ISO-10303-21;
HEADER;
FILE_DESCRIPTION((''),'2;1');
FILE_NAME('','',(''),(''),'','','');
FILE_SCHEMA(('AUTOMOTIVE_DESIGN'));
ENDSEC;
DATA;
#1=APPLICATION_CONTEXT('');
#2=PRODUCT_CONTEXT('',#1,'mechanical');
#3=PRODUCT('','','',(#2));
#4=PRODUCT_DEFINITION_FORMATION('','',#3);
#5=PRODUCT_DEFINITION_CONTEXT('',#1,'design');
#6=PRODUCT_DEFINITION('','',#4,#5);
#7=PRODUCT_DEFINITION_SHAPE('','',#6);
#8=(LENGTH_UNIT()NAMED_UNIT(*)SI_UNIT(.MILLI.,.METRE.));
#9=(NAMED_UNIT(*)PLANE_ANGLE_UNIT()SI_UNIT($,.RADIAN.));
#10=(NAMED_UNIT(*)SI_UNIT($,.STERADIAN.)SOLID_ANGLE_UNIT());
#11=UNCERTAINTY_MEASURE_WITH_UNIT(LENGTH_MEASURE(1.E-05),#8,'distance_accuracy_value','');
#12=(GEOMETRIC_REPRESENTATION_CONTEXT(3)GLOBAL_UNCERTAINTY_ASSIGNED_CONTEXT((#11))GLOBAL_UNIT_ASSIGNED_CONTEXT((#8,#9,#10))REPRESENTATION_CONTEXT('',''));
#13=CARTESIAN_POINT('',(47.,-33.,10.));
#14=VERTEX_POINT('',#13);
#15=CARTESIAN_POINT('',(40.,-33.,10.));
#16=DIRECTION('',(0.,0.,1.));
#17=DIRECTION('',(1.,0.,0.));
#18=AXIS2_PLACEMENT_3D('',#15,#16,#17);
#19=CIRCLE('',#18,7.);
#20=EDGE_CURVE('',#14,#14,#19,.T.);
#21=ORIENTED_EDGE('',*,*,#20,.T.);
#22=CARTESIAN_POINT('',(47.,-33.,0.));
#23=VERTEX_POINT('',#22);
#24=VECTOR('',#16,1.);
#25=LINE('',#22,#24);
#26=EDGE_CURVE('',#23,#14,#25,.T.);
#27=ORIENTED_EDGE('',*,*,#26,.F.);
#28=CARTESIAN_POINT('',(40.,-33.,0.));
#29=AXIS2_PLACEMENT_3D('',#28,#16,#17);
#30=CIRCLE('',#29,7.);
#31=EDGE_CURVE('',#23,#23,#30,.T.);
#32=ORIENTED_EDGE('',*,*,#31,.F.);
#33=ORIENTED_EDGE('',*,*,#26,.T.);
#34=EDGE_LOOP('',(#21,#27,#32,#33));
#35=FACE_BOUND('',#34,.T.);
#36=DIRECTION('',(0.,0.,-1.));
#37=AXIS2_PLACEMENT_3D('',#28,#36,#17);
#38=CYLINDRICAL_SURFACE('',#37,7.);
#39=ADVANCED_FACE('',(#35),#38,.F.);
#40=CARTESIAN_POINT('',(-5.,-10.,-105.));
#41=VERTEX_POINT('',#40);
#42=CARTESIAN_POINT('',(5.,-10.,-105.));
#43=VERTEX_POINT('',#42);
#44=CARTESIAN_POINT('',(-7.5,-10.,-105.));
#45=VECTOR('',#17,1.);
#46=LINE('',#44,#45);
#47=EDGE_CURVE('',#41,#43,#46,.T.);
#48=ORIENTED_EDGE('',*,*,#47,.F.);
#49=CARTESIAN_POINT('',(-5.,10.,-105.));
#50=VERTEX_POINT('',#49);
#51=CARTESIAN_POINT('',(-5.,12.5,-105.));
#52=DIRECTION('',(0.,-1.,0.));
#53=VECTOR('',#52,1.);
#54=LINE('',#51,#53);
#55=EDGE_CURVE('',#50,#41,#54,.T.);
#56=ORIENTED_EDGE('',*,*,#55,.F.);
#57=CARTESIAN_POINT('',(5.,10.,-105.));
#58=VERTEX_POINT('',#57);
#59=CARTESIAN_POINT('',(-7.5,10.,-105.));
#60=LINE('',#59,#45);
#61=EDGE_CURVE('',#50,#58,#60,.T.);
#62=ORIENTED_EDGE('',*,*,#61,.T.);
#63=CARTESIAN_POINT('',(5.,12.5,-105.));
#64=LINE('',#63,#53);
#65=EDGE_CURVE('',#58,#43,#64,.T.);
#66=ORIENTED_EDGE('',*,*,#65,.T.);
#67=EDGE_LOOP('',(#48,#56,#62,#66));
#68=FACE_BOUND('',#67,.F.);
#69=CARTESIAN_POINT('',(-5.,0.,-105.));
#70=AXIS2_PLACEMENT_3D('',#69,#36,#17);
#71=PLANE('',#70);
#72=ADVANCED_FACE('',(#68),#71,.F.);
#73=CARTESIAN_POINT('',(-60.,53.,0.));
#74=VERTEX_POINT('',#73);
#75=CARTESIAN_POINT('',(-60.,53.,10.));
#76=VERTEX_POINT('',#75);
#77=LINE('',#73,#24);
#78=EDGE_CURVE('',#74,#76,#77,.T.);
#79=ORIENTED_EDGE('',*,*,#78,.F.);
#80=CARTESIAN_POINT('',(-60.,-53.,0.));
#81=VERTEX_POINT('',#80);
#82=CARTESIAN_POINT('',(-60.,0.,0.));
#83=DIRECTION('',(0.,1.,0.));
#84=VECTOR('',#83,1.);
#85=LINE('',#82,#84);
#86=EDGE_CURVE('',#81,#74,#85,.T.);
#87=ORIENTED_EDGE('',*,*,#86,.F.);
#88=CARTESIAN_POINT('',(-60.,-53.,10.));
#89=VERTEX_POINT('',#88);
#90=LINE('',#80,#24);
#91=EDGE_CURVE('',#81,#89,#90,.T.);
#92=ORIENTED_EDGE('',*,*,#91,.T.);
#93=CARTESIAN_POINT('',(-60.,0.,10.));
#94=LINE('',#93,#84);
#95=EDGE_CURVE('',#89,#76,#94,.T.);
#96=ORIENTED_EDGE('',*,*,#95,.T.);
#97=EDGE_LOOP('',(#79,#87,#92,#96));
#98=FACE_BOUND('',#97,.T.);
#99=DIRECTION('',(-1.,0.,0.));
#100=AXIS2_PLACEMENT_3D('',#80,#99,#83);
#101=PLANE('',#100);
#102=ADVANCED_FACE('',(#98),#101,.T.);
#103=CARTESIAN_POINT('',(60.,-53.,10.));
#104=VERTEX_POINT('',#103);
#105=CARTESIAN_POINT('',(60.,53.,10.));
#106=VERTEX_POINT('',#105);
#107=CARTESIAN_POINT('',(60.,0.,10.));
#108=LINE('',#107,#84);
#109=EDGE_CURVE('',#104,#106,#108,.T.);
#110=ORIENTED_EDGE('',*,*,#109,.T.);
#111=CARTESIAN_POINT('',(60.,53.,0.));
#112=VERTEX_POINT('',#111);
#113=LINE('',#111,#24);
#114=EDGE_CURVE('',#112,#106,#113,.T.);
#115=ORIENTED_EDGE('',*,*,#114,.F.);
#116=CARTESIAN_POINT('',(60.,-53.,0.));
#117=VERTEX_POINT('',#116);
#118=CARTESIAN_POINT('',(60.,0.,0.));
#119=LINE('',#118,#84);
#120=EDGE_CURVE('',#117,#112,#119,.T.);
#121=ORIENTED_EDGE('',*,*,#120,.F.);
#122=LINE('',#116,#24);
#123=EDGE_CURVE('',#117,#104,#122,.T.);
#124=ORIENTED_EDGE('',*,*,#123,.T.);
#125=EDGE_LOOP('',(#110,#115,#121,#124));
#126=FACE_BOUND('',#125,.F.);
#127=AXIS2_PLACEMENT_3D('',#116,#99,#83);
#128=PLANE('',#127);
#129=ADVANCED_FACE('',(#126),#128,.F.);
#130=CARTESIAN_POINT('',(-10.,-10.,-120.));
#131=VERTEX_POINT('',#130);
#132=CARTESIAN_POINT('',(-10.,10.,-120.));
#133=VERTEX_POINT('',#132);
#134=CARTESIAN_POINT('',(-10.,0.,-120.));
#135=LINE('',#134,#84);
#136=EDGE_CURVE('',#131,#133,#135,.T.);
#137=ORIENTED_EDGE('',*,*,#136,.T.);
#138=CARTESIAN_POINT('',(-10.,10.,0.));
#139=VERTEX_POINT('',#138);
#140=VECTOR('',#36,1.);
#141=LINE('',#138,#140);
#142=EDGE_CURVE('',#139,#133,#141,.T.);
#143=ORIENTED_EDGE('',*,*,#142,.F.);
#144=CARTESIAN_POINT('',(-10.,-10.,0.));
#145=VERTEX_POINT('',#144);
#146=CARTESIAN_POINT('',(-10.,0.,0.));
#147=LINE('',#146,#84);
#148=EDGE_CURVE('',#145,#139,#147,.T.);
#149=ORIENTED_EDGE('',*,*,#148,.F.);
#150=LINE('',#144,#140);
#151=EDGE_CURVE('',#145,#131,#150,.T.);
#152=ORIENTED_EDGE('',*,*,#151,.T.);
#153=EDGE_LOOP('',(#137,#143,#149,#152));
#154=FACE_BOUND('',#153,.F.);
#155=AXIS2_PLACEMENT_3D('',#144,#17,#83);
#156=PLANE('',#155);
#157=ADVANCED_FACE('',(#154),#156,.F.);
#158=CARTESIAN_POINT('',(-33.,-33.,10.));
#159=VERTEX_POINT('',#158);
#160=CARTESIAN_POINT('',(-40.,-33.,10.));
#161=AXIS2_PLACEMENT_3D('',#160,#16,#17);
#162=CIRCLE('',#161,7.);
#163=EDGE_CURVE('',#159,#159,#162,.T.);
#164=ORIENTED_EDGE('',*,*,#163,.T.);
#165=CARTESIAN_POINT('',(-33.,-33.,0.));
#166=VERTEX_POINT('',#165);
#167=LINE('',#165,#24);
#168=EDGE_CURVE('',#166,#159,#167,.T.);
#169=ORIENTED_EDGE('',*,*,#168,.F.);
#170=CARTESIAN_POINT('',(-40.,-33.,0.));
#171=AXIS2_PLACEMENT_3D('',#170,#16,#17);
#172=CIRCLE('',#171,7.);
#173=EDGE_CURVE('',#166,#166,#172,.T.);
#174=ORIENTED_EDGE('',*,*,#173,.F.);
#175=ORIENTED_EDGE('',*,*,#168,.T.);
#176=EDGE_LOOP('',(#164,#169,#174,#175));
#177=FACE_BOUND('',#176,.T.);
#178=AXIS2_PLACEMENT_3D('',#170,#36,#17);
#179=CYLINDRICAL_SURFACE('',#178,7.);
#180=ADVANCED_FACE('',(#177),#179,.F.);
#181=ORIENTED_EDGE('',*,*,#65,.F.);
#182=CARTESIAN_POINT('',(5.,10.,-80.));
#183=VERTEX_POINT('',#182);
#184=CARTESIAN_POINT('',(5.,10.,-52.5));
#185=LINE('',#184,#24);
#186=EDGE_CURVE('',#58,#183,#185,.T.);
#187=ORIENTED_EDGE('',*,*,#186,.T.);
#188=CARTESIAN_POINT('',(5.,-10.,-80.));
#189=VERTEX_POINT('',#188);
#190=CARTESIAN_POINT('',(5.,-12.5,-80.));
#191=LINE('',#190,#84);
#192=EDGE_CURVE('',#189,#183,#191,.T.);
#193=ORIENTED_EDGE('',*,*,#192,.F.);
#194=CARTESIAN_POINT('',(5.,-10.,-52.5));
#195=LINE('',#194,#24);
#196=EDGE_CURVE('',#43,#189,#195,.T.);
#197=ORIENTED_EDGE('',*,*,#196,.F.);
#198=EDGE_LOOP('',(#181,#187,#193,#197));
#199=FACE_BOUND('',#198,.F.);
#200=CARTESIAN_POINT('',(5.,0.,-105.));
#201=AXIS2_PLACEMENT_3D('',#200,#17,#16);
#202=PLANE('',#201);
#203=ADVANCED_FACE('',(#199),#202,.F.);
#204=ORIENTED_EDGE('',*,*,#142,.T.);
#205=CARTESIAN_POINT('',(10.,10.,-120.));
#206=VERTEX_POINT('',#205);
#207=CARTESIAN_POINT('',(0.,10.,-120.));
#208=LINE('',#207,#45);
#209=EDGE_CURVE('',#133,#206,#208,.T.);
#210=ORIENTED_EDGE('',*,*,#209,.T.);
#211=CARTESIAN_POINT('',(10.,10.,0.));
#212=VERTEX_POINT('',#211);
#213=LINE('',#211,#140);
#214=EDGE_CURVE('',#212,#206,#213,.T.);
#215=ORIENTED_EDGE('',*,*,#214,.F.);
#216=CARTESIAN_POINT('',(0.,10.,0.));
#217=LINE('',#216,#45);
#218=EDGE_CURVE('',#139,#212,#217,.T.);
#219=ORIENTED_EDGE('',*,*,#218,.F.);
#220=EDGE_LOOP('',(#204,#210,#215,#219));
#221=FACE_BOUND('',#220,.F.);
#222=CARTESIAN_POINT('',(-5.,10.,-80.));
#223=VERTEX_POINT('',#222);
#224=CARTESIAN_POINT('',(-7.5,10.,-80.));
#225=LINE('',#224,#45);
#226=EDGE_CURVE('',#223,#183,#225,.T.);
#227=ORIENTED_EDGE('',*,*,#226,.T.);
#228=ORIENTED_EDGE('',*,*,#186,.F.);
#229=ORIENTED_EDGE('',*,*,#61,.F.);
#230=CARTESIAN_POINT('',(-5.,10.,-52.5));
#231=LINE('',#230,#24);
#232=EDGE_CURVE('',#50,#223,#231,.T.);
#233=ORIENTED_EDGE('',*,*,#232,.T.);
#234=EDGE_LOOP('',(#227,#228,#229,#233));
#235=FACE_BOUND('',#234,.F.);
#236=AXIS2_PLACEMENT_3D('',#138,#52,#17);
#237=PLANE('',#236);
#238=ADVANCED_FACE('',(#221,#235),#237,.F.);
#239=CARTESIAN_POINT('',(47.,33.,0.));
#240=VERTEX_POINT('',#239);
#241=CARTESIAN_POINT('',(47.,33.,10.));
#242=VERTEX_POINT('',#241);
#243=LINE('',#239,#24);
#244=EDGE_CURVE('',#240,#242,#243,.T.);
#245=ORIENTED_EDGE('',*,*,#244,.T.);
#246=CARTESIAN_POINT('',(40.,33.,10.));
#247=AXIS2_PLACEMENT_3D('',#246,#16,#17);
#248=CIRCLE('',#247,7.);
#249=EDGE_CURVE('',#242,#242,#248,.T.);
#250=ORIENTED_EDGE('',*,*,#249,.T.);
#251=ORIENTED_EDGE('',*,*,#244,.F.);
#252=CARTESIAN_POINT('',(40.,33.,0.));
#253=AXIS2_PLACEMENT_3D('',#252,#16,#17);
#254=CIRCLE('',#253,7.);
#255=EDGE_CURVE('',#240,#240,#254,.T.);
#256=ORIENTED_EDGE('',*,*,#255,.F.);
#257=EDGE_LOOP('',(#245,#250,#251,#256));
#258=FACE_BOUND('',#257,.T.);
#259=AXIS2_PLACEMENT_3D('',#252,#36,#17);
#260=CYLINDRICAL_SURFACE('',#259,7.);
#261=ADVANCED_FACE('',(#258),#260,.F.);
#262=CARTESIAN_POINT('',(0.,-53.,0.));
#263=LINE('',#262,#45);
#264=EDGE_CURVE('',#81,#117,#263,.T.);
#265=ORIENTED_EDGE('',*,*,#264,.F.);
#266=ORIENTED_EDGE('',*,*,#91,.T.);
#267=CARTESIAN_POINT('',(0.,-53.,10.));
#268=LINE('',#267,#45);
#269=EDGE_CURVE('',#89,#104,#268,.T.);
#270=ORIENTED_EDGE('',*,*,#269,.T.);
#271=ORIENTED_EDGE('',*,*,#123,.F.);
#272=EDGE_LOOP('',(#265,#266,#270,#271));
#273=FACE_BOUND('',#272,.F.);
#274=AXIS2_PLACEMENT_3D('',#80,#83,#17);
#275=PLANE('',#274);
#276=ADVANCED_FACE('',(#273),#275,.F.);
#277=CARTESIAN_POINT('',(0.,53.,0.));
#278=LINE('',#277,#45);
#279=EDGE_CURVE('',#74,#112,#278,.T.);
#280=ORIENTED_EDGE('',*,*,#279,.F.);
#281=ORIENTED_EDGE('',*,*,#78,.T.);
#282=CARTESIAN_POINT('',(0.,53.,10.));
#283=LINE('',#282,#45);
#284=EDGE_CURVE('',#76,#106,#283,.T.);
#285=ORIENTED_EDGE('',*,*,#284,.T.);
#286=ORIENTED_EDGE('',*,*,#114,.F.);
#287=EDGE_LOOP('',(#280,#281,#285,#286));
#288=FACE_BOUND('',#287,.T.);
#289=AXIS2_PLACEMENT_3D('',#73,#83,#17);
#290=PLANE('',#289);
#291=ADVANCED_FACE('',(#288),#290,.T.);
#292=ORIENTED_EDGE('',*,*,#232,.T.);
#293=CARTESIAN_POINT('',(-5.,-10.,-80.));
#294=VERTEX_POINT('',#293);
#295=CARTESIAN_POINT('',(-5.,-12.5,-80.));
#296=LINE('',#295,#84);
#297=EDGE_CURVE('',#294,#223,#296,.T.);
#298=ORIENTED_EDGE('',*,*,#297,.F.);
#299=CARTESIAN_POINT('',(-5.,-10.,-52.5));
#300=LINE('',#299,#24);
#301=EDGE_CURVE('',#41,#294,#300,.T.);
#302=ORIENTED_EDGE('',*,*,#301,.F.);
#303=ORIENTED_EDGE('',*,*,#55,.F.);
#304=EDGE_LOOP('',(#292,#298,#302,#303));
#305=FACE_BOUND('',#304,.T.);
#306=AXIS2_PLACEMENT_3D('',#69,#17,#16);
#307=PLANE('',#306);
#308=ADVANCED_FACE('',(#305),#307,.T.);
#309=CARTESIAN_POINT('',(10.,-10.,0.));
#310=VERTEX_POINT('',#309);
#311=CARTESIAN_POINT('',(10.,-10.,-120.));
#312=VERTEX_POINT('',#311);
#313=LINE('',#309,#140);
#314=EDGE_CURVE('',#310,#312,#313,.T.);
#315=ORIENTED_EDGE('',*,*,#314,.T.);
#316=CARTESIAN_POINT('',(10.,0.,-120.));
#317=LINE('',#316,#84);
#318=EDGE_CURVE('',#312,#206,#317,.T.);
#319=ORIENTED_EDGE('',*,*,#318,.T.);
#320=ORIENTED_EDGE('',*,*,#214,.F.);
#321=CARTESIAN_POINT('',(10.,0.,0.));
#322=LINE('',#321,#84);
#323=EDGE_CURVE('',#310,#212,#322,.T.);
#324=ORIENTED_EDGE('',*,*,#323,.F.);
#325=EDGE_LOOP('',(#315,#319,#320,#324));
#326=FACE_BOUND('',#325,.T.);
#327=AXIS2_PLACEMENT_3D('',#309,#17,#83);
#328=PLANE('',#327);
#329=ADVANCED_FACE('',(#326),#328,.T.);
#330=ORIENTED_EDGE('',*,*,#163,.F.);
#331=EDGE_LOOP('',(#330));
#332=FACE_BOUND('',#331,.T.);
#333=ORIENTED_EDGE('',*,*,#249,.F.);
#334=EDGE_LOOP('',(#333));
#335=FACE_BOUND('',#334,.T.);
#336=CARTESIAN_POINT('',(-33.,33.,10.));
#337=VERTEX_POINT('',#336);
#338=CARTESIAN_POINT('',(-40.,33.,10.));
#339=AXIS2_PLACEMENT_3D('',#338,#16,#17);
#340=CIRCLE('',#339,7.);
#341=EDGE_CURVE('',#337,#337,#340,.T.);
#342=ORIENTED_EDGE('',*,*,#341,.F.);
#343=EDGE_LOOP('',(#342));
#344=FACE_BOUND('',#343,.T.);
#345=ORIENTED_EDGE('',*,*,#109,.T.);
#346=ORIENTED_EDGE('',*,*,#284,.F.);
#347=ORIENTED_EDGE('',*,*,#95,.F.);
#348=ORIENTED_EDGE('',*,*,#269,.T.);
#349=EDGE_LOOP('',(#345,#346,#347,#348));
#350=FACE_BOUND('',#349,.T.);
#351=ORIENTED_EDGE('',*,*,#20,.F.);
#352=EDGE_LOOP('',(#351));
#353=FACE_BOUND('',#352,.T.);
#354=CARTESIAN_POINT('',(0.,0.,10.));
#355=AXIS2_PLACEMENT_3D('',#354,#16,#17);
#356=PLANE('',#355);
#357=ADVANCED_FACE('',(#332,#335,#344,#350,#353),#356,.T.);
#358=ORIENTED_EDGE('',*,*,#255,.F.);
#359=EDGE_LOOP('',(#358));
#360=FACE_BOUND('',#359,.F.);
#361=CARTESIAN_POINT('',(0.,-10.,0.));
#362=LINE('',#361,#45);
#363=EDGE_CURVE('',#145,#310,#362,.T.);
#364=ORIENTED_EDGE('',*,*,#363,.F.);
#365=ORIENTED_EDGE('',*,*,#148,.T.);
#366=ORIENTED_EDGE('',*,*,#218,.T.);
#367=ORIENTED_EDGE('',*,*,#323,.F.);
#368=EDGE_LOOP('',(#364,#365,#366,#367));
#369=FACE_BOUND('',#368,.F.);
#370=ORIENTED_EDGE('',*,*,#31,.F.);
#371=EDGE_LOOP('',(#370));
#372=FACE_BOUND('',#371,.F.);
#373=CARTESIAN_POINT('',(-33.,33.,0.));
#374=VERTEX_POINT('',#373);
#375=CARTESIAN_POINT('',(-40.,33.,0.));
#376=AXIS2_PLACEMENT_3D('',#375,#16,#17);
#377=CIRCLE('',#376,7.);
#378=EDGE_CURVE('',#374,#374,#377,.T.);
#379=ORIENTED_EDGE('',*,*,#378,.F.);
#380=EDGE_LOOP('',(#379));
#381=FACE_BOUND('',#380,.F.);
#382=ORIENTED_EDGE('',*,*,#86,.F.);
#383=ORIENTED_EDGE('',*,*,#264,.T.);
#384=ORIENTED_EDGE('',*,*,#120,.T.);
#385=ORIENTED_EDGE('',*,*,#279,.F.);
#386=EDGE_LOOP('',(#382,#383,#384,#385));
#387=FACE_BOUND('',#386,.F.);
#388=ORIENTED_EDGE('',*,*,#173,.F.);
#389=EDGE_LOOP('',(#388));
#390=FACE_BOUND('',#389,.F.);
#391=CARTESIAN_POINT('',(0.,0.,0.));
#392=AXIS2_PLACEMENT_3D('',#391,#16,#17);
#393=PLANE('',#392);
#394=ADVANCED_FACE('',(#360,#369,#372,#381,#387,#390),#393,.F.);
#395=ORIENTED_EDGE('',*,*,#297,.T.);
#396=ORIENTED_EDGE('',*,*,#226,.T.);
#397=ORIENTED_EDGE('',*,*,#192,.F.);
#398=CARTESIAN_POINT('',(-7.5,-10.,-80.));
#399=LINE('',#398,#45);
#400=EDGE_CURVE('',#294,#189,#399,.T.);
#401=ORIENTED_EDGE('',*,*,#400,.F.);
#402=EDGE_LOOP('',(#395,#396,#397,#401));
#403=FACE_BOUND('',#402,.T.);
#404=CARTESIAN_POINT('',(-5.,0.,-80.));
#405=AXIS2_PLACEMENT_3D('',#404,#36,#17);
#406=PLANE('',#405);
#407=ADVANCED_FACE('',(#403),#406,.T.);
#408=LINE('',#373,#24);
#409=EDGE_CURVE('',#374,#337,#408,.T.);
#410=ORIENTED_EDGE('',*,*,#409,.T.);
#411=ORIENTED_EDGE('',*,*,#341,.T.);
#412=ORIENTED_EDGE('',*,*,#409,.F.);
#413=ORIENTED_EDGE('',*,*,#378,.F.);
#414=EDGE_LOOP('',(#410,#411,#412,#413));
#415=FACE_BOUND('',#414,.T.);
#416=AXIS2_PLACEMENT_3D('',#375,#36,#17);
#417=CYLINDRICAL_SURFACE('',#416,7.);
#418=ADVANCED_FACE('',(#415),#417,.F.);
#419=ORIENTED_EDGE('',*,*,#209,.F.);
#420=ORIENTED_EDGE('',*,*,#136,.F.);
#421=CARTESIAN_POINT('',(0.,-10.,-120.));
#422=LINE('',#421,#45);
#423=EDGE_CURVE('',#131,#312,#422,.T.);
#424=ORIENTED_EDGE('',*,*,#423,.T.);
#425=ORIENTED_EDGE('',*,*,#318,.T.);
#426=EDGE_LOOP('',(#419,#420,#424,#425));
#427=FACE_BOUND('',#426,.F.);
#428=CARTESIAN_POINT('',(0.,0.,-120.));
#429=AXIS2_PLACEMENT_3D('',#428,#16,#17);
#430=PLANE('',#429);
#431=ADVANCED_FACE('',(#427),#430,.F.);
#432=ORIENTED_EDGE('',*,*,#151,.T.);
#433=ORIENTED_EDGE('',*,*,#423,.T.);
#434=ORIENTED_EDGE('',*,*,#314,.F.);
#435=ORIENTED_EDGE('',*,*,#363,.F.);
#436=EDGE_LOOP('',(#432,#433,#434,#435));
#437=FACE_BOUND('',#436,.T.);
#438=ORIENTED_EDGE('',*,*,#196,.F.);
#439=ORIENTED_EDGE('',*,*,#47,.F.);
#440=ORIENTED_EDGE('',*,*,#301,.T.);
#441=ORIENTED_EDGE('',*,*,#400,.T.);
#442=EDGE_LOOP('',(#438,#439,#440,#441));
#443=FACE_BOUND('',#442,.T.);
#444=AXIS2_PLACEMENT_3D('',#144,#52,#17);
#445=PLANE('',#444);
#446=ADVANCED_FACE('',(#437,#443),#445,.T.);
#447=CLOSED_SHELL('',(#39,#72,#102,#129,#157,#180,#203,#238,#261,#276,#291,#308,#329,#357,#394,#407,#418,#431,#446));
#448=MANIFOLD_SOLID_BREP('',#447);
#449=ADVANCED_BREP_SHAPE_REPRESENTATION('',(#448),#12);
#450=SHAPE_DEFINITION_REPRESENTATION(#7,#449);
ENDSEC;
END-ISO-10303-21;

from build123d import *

# Parameters (mm, degrees)
F0_W     = 20
F0_H     = 20
F2_DEPTH = 120
F0_W_2   = 120
F0_H_2   = 106
F0_R     = 7
F3_DEPTH = 10
F1_W     = 10
F1_H     = 25
F4_DEPTH = 12.5


with BuildPart() as f2:
    # F0 (on Top) → F2 (new body)
    with BuildSketch(Plane.XY):
        Rectangle(F0_W, F0_H)
    extrude(amount=-F2_DEPTH)

    # F0 (on Top) → F3 (join)
    with BuildSketch(Plane.XY):
        Rectangle(F0_W_2, F0_H_2)
        with Locations((-40, -33)):
            Circle(F0_R, mode=Mode.SUBTRACT)
        with Locations((40, -33)):
            Circle(F0_R, mode=Mode.SUBTRACT)
        with Locations((-40, 33)):
            Circle(F0_R, mode=Mode.SUBTRACT)
        Rectangle(F0_W, F0_H, mode=Mode.SUBTRACT)
        with Locations((40, 33)):
            Circle(F0_R, mode=Mode.SUBTRACT)
        Rectangle(F0_W, F0_H)
    extrude(amount=F3_DEPTH)

    # F1 (on Front) → F4 (cut, symmetric)
    with BuildSketch(Plane.XZ):
        with Locations((0, -92.5)):
            Rectangle(F1_W, F1_H)
    extrude(amount=F4_DEPTH, both=True, mode=Mode.SUBTRACT)


solid = f2.part
